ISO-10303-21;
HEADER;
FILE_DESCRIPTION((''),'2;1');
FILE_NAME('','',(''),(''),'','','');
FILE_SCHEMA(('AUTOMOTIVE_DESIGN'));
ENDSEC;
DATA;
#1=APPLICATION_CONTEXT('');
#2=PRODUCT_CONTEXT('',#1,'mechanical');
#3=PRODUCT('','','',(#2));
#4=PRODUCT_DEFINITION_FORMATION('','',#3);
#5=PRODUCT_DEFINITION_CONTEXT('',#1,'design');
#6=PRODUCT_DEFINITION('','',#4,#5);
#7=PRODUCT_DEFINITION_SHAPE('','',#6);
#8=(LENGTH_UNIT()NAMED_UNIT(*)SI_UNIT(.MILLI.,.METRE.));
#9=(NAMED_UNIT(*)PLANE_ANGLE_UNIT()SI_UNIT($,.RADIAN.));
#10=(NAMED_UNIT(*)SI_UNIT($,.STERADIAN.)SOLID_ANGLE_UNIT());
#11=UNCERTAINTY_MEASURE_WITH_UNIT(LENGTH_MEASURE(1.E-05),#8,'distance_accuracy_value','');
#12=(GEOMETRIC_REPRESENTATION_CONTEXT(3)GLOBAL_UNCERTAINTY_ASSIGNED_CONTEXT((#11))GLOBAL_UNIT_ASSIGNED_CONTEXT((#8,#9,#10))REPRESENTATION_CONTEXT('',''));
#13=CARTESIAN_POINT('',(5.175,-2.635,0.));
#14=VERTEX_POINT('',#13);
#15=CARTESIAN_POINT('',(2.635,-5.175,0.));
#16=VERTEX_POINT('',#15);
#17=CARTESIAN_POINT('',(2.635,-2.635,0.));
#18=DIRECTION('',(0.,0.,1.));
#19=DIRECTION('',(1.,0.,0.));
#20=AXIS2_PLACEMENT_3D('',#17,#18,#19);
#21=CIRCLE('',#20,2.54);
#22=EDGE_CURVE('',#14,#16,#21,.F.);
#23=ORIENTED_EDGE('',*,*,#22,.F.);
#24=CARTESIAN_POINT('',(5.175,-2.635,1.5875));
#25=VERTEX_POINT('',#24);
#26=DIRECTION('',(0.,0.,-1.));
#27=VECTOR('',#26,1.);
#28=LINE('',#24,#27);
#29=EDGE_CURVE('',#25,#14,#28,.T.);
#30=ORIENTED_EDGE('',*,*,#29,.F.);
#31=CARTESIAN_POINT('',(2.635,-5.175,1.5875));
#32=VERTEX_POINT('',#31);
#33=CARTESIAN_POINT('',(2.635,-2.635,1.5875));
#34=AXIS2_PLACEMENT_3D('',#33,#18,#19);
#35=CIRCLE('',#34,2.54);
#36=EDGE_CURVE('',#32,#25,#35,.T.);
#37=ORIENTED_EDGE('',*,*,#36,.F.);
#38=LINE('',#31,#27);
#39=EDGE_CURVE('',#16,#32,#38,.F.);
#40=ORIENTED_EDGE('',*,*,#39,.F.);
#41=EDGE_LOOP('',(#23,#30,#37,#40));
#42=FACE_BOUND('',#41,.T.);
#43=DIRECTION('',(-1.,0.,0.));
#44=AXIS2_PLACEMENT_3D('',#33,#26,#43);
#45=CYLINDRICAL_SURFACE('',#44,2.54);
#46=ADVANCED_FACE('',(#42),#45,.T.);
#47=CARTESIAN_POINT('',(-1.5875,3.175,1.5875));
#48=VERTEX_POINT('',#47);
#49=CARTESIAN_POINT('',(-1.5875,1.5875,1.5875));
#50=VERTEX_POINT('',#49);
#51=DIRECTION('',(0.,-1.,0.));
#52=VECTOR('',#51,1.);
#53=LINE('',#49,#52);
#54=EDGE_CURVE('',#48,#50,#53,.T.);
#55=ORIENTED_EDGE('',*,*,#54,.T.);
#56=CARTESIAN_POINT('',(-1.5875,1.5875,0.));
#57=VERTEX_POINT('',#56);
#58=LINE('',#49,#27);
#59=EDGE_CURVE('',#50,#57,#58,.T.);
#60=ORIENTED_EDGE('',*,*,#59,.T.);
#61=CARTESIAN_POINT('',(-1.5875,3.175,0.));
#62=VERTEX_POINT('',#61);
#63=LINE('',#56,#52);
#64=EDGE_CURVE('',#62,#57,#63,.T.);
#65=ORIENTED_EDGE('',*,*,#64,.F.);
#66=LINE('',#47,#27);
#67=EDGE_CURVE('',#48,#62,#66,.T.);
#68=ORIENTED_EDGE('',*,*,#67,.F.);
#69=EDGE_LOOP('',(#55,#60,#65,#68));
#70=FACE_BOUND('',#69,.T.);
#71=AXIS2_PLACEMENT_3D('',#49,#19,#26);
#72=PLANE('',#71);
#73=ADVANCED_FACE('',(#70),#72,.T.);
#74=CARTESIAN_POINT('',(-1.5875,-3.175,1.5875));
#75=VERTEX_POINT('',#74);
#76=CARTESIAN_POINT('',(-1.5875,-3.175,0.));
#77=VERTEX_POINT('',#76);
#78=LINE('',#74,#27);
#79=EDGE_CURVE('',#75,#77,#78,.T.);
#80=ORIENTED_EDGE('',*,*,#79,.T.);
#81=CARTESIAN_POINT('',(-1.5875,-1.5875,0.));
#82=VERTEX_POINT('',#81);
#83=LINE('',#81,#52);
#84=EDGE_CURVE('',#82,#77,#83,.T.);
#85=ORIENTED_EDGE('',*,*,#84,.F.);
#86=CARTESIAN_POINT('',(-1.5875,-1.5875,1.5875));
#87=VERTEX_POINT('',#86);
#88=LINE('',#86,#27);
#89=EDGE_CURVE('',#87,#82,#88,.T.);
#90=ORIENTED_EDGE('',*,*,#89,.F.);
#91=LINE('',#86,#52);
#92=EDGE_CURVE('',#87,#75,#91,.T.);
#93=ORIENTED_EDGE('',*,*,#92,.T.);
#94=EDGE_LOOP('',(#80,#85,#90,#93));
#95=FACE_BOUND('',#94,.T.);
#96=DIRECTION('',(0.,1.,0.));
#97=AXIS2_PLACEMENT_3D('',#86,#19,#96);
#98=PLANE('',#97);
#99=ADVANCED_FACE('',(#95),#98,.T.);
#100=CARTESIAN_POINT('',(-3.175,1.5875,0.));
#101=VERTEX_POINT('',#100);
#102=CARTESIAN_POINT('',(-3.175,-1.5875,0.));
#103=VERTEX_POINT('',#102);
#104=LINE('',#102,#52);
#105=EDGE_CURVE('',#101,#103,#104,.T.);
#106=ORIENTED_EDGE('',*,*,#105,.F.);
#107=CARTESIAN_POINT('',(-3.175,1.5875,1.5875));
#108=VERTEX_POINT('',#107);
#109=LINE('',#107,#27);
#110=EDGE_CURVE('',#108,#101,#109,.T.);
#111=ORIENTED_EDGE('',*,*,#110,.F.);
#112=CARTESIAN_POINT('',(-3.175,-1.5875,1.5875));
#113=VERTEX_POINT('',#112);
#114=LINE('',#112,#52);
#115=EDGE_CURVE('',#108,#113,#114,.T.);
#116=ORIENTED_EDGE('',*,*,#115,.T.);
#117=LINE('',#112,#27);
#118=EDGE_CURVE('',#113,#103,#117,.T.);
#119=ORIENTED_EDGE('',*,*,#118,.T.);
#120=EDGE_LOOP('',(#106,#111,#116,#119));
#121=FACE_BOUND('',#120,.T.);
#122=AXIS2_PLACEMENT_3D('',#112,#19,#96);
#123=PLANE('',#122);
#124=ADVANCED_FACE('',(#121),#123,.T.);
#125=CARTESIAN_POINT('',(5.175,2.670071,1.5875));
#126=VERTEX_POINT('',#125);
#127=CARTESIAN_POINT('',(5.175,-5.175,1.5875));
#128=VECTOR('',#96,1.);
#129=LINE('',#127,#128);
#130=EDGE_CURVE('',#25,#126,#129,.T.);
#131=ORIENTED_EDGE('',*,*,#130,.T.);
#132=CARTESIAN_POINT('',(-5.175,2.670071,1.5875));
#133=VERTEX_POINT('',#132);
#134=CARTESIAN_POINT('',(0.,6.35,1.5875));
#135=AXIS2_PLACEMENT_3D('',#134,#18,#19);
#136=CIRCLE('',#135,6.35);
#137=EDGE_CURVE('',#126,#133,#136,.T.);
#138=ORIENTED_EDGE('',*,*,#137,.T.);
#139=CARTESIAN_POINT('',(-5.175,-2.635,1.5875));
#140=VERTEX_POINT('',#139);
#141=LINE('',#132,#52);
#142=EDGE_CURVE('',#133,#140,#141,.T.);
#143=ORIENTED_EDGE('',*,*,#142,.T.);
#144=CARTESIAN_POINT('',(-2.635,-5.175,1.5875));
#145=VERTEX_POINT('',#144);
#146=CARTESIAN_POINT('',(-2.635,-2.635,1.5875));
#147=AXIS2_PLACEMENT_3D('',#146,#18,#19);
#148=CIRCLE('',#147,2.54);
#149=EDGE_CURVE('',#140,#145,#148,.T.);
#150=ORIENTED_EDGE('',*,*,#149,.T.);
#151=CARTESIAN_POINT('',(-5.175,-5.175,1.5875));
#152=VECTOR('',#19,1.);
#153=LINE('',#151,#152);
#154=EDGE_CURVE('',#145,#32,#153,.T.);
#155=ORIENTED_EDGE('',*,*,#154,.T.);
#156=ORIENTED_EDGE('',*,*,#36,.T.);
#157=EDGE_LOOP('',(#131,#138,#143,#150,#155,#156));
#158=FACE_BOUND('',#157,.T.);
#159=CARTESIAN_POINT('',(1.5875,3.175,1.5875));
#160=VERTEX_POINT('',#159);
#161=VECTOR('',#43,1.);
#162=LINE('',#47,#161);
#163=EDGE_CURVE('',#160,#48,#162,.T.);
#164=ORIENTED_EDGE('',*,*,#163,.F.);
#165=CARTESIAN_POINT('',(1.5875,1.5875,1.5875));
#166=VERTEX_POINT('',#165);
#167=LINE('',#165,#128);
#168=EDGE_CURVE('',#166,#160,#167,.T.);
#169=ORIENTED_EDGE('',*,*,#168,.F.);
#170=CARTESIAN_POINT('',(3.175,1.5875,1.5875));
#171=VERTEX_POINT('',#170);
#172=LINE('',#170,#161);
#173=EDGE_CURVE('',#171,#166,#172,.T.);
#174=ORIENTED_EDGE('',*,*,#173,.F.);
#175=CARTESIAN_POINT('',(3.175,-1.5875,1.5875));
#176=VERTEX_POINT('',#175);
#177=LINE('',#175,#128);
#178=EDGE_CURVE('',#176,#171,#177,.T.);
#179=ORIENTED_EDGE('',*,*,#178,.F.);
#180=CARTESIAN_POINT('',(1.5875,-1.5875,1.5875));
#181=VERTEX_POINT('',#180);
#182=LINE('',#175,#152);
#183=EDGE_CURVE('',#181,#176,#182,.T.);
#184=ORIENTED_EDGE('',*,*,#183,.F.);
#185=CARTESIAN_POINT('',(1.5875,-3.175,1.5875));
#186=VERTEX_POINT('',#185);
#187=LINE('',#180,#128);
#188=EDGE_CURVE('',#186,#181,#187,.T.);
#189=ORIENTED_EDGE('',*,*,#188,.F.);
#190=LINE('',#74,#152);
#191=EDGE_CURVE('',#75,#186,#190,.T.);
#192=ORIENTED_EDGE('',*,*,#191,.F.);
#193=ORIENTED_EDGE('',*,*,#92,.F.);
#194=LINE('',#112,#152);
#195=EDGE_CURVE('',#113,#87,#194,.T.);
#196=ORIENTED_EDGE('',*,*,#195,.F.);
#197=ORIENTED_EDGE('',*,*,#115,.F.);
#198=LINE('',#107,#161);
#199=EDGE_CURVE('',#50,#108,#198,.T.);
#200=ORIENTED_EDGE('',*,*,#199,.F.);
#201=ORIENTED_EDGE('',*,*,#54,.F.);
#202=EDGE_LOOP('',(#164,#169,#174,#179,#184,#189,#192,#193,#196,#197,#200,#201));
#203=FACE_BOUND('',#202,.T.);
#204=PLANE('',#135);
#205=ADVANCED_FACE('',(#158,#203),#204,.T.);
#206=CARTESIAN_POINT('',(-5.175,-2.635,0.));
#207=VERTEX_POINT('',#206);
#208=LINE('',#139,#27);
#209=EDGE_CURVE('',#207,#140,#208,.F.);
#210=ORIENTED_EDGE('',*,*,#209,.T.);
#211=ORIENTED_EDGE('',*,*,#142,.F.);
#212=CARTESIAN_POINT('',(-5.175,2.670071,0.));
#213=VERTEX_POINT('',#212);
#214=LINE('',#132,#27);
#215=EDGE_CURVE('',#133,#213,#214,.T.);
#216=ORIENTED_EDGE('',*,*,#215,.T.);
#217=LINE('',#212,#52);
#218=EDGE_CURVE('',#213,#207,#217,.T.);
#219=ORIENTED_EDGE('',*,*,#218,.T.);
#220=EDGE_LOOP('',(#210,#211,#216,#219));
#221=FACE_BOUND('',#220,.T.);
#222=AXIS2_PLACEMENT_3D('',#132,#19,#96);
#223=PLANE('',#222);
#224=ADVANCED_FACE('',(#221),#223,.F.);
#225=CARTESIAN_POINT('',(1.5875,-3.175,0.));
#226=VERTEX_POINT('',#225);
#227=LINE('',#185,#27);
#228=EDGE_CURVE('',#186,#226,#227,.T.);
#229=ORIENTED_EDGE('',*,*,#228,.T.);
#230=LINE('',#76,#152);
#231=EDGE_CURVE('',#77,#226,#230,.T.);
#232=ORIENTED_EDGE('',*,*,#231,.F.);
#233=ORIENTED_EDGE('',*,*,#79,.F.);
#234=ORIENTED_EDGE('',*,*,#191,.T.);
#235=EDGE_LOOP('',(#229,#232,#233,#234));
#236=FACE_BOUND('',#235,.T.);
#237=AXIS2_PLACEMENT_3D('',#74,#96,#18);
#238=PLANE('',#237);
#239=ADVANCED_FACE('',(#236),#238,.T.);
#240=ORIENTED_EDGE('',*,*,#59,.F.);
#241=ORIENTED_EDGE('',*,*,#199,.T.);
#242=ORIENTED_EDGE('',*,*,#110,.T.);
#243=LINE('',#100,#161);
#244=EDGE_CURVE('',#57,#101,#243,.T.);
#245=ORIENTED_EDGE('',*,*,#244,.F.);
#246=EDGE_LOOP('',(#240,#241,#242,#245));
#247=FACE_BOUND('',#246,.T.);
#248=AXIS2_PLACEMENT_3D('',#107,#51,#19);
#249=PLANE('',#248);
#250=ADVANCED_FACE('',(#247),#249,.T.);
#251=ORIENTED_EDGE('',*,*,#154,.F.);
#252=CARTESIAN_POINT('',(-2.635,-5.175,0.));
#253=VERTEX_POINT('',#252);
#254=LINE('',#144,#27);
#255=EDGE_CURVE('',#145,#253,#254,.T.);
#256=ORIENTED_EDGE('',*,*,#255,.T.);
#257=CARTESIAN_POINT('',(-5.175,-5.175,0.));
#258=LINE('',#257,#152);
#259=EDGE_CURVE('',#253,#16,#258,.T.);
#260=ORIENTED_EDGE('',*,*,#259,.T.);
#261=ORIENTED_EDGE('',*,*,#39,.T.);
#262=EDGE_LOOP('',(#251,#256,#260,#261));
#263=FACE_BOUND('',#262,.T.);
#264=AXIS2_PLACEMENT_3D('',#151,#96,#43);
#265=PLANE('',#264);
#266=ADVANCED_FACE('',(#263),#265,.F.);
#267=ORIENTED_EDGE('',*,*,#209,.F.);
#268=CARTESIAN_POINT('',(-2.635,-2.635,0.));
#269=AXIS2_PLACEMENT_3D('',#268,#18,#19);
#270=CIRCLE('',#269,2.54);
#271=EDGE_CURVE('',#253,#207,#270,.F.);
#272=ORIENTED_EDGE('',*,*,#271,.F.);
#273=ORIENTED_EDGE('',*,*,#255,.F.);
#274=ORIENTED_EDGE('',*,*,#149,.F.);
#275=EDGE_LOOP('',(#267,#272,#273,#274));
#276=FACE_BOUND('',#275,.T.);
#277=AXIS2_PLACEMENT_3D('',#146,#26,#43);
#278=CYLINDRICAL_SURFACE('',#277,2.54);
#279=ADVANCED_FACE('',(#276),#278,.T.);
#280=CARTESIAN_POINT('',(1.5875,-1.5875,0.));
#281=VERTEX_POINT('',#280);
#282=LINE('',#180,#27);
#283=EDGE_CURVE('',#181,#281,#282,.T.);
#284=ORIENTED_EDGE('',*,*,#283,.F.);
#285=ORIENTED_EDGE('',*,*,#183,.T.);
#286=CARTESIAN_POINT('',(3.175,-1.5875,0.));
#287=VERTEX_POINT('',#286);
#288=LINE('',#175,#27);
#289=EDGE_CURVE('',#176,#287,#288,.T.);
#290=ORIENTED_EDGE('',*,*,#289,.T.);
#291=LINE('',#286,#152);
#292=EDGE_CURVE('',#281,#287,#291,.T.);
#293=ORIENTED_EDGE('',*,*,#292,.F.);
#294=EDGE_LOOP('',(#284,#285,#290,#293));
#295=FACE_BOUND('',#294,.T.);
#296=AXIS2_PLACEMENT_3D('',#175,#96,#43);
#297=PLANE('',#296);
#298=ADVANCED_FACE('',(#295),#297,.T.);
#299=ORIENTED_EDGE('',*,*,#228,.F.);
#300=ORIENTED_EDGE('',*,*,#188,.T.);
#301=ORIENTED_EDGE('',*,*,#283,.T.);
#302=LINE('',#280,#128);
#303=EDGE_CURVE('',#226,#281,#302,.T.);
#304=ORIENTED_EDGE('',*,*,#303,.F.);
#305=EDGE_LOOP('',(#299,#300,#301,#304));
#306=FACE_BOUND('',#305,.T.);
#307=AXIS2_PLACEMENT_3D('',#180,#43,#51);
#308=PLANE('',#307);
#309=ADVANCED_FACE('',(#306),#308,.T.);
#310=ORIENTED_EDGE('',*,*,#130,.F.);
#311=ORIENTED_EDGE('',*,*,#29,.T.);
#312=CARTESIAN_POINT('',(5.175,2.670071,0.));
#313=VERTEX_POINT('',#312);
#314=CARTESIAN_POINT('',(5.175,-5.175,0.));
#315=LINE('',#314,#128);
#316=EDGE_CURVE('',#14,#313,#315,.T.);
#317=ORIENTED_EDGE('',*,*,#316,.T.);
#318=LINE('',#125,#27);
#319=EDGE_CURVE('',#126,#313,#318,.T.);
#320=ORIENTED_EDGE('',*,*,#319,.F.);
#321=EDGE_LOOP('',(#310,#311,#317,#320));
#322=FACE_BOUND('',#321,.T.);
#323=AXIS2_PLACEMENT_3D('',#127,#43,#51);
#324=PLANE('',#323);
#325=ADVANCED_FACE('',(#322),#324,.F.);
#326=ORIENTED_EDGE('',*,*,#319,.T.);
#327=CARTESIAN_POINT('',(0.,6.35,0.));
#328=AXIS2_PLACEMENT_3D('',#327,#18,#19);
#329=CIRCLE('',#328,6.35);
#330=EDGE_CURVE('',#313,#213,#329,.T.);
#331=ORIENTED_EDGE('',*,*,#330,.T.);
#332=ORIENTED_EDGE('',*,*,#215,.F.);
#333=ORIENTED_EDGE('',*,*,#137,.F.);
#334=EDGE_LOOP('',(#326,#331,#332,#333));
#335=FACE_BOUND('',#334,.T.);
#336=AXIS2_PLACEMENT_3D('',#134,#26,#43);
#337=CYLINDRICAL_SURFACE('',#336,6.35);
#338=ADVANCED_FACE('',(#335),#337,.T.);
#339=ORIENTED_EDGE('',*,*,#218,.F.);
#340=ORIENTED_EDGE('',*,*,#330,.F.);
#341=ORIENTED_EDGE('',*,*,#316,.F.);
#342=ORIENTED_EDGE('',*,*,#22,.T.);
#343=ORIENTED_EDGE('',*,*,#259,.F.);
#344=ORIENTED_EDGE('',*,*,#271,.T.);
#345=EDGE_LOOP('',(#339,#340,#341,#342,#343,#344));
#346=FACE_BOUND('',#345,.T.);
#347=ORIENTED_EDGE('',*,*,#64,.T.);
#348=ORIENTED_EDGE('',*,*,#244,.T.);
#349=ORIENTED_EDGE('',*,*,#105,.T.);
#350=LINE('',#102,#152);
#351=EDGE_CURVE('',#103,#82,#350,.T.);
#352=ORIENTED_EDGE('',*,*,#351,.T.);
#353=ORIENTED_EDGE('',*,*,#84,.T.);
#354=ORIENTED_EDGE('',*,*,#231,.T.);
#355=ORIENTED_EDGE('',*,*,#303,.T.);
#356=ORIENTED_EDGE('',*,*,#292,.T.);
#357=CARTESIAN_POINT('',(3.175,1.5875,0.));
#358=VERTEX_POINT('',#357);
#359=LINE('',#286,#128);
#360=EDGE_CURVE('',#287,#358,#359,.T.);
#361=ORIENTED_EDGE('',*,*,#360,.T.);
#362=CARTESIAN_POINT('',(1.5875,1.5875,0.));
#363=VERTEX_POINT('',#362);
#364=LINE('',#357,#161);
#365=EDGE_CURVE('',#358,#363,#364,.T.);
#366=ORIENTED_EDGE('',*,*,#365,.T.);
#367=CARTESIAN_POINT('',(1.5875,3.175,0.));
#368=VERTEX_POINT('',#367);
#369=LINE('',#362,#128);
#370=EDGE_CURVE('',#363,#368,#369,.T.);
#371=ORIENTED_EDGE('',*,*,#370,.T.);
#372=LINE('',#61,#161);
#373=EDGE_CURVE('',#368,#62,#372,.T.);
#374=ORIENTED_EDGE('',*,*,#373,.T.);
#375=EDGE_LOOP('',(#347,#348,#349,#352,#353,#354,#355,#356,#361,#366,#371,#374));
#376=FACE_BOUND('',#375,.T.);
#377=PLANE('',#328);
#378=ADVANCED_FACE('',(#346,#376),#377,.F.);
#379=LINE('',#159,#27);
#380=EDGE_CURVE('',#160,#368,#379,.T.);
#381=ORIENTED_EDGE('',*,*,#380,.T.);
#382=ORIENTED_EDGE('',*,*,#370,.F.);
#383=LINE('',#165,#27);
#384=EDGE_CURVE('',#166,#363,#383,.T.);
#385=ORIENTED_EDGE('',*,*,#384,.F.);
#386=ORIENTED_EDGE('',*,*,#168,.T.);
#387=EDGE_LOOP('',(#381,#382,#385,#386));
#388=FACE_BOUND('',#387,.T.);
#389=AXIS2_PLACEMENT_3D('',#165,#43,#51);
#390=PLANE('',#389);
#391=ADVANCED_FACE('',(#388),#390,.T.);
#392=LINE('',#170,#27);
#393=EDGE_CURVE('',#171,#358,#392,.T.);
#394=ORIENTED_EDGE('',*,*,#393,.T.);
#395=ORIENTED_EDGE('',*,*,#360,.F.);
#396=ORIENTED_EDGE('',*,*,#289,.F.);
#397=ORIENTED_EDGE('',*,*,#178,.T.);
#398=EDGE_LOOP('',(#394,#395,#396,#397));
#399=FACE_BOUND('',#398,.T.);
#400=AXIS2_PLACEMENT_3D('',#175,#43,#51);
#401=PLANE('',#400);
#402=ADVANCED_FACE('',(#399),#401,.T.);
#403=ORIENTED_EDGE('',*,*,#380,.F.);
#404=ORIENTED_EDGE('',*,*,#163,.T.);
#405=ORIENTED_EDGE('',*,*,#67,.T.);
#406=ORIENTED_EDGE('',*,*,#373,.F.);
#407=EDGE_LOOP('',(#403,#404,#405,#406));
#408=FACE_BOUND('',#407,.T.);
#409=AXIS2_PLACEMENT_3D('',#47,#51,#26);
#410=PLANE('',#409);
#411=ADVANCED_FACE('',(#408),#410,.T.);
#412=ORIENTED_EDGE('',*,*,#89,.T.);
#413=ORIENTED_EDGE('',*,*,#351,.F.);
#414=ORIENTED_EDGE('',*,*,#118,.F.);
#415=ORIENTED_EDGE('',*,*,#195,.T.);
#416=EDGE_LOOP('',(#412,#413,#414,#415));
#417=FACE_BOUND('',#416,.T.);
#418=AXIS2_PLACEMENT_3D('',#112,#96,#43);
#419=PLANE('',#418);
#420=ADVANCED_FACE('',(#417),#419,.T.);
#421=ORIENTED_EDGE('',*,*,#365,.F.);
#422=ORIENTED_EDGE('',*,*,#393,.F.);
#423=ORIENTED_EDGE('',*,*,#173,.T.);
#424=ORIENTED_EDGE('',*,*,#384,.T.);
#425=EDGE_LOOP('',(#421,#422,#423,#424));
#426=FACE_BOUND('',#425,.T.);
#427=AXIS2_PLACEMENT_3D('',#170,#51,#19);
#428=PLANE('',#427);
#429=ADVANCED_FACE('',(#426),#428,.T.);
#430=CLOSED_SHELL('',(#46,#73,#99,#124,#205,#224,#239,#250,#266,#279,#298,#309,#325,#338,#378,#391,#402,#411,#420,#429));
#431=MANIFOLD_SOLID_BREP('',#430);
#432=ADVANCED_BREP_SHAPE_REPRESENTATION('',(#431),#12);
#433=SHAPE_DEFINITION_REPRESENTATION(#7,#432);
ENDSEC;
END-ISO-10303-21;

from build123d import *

# Parameters (mm, degrees)
BOSS_EXTRUDE1_DEPTH = 1.5875
FILLET1_R           = 2.54


with BuildPart() as part:
    # Sketch1 → Boss-Extrude1 (new body)
    with BuildSketch(Plane.XY):
        with BuildLine():
            Line((-5.175, 2.670071332), (-5.175, -5.175))
            Line((-5.175, -5.175), (5.175, -5.175))
            Line((5.175, -5.175), (5.175, 2.670071332))
            ThreePointArc((5.175, 2.670071332), (0, 12.7), (-5.175, 2.670071332))
        make_face()
        Polygon((-3.175, -1.5875), (-3.175, 1.5875), (-1.5875, 1.5875), (-1.5875, 3.175), (1.5875, 3.175), (1.5875, 1.5875), (3.175, 1.5875), (3.175, -1.5875), (1.5875, -1.5875), (1.5875, -3.175), (-1.5875, -3.175), (-1.5875, -1.5875), align=None, mode=Mode.SUBTRACT)
    extrude(amount=BOSS_EXTRUDE1_DEPTH)

    # Fillet1
    fillet1_edges = [part.edges().sort_by_distance(p)[0] for p in [
        (5.175, -5.175, 0.79375),
        (-5.175, -5.175, 0.79375),
    ]]
    fillet(fillet1_edges, radius=FILLET1_R)


solid = part.part
